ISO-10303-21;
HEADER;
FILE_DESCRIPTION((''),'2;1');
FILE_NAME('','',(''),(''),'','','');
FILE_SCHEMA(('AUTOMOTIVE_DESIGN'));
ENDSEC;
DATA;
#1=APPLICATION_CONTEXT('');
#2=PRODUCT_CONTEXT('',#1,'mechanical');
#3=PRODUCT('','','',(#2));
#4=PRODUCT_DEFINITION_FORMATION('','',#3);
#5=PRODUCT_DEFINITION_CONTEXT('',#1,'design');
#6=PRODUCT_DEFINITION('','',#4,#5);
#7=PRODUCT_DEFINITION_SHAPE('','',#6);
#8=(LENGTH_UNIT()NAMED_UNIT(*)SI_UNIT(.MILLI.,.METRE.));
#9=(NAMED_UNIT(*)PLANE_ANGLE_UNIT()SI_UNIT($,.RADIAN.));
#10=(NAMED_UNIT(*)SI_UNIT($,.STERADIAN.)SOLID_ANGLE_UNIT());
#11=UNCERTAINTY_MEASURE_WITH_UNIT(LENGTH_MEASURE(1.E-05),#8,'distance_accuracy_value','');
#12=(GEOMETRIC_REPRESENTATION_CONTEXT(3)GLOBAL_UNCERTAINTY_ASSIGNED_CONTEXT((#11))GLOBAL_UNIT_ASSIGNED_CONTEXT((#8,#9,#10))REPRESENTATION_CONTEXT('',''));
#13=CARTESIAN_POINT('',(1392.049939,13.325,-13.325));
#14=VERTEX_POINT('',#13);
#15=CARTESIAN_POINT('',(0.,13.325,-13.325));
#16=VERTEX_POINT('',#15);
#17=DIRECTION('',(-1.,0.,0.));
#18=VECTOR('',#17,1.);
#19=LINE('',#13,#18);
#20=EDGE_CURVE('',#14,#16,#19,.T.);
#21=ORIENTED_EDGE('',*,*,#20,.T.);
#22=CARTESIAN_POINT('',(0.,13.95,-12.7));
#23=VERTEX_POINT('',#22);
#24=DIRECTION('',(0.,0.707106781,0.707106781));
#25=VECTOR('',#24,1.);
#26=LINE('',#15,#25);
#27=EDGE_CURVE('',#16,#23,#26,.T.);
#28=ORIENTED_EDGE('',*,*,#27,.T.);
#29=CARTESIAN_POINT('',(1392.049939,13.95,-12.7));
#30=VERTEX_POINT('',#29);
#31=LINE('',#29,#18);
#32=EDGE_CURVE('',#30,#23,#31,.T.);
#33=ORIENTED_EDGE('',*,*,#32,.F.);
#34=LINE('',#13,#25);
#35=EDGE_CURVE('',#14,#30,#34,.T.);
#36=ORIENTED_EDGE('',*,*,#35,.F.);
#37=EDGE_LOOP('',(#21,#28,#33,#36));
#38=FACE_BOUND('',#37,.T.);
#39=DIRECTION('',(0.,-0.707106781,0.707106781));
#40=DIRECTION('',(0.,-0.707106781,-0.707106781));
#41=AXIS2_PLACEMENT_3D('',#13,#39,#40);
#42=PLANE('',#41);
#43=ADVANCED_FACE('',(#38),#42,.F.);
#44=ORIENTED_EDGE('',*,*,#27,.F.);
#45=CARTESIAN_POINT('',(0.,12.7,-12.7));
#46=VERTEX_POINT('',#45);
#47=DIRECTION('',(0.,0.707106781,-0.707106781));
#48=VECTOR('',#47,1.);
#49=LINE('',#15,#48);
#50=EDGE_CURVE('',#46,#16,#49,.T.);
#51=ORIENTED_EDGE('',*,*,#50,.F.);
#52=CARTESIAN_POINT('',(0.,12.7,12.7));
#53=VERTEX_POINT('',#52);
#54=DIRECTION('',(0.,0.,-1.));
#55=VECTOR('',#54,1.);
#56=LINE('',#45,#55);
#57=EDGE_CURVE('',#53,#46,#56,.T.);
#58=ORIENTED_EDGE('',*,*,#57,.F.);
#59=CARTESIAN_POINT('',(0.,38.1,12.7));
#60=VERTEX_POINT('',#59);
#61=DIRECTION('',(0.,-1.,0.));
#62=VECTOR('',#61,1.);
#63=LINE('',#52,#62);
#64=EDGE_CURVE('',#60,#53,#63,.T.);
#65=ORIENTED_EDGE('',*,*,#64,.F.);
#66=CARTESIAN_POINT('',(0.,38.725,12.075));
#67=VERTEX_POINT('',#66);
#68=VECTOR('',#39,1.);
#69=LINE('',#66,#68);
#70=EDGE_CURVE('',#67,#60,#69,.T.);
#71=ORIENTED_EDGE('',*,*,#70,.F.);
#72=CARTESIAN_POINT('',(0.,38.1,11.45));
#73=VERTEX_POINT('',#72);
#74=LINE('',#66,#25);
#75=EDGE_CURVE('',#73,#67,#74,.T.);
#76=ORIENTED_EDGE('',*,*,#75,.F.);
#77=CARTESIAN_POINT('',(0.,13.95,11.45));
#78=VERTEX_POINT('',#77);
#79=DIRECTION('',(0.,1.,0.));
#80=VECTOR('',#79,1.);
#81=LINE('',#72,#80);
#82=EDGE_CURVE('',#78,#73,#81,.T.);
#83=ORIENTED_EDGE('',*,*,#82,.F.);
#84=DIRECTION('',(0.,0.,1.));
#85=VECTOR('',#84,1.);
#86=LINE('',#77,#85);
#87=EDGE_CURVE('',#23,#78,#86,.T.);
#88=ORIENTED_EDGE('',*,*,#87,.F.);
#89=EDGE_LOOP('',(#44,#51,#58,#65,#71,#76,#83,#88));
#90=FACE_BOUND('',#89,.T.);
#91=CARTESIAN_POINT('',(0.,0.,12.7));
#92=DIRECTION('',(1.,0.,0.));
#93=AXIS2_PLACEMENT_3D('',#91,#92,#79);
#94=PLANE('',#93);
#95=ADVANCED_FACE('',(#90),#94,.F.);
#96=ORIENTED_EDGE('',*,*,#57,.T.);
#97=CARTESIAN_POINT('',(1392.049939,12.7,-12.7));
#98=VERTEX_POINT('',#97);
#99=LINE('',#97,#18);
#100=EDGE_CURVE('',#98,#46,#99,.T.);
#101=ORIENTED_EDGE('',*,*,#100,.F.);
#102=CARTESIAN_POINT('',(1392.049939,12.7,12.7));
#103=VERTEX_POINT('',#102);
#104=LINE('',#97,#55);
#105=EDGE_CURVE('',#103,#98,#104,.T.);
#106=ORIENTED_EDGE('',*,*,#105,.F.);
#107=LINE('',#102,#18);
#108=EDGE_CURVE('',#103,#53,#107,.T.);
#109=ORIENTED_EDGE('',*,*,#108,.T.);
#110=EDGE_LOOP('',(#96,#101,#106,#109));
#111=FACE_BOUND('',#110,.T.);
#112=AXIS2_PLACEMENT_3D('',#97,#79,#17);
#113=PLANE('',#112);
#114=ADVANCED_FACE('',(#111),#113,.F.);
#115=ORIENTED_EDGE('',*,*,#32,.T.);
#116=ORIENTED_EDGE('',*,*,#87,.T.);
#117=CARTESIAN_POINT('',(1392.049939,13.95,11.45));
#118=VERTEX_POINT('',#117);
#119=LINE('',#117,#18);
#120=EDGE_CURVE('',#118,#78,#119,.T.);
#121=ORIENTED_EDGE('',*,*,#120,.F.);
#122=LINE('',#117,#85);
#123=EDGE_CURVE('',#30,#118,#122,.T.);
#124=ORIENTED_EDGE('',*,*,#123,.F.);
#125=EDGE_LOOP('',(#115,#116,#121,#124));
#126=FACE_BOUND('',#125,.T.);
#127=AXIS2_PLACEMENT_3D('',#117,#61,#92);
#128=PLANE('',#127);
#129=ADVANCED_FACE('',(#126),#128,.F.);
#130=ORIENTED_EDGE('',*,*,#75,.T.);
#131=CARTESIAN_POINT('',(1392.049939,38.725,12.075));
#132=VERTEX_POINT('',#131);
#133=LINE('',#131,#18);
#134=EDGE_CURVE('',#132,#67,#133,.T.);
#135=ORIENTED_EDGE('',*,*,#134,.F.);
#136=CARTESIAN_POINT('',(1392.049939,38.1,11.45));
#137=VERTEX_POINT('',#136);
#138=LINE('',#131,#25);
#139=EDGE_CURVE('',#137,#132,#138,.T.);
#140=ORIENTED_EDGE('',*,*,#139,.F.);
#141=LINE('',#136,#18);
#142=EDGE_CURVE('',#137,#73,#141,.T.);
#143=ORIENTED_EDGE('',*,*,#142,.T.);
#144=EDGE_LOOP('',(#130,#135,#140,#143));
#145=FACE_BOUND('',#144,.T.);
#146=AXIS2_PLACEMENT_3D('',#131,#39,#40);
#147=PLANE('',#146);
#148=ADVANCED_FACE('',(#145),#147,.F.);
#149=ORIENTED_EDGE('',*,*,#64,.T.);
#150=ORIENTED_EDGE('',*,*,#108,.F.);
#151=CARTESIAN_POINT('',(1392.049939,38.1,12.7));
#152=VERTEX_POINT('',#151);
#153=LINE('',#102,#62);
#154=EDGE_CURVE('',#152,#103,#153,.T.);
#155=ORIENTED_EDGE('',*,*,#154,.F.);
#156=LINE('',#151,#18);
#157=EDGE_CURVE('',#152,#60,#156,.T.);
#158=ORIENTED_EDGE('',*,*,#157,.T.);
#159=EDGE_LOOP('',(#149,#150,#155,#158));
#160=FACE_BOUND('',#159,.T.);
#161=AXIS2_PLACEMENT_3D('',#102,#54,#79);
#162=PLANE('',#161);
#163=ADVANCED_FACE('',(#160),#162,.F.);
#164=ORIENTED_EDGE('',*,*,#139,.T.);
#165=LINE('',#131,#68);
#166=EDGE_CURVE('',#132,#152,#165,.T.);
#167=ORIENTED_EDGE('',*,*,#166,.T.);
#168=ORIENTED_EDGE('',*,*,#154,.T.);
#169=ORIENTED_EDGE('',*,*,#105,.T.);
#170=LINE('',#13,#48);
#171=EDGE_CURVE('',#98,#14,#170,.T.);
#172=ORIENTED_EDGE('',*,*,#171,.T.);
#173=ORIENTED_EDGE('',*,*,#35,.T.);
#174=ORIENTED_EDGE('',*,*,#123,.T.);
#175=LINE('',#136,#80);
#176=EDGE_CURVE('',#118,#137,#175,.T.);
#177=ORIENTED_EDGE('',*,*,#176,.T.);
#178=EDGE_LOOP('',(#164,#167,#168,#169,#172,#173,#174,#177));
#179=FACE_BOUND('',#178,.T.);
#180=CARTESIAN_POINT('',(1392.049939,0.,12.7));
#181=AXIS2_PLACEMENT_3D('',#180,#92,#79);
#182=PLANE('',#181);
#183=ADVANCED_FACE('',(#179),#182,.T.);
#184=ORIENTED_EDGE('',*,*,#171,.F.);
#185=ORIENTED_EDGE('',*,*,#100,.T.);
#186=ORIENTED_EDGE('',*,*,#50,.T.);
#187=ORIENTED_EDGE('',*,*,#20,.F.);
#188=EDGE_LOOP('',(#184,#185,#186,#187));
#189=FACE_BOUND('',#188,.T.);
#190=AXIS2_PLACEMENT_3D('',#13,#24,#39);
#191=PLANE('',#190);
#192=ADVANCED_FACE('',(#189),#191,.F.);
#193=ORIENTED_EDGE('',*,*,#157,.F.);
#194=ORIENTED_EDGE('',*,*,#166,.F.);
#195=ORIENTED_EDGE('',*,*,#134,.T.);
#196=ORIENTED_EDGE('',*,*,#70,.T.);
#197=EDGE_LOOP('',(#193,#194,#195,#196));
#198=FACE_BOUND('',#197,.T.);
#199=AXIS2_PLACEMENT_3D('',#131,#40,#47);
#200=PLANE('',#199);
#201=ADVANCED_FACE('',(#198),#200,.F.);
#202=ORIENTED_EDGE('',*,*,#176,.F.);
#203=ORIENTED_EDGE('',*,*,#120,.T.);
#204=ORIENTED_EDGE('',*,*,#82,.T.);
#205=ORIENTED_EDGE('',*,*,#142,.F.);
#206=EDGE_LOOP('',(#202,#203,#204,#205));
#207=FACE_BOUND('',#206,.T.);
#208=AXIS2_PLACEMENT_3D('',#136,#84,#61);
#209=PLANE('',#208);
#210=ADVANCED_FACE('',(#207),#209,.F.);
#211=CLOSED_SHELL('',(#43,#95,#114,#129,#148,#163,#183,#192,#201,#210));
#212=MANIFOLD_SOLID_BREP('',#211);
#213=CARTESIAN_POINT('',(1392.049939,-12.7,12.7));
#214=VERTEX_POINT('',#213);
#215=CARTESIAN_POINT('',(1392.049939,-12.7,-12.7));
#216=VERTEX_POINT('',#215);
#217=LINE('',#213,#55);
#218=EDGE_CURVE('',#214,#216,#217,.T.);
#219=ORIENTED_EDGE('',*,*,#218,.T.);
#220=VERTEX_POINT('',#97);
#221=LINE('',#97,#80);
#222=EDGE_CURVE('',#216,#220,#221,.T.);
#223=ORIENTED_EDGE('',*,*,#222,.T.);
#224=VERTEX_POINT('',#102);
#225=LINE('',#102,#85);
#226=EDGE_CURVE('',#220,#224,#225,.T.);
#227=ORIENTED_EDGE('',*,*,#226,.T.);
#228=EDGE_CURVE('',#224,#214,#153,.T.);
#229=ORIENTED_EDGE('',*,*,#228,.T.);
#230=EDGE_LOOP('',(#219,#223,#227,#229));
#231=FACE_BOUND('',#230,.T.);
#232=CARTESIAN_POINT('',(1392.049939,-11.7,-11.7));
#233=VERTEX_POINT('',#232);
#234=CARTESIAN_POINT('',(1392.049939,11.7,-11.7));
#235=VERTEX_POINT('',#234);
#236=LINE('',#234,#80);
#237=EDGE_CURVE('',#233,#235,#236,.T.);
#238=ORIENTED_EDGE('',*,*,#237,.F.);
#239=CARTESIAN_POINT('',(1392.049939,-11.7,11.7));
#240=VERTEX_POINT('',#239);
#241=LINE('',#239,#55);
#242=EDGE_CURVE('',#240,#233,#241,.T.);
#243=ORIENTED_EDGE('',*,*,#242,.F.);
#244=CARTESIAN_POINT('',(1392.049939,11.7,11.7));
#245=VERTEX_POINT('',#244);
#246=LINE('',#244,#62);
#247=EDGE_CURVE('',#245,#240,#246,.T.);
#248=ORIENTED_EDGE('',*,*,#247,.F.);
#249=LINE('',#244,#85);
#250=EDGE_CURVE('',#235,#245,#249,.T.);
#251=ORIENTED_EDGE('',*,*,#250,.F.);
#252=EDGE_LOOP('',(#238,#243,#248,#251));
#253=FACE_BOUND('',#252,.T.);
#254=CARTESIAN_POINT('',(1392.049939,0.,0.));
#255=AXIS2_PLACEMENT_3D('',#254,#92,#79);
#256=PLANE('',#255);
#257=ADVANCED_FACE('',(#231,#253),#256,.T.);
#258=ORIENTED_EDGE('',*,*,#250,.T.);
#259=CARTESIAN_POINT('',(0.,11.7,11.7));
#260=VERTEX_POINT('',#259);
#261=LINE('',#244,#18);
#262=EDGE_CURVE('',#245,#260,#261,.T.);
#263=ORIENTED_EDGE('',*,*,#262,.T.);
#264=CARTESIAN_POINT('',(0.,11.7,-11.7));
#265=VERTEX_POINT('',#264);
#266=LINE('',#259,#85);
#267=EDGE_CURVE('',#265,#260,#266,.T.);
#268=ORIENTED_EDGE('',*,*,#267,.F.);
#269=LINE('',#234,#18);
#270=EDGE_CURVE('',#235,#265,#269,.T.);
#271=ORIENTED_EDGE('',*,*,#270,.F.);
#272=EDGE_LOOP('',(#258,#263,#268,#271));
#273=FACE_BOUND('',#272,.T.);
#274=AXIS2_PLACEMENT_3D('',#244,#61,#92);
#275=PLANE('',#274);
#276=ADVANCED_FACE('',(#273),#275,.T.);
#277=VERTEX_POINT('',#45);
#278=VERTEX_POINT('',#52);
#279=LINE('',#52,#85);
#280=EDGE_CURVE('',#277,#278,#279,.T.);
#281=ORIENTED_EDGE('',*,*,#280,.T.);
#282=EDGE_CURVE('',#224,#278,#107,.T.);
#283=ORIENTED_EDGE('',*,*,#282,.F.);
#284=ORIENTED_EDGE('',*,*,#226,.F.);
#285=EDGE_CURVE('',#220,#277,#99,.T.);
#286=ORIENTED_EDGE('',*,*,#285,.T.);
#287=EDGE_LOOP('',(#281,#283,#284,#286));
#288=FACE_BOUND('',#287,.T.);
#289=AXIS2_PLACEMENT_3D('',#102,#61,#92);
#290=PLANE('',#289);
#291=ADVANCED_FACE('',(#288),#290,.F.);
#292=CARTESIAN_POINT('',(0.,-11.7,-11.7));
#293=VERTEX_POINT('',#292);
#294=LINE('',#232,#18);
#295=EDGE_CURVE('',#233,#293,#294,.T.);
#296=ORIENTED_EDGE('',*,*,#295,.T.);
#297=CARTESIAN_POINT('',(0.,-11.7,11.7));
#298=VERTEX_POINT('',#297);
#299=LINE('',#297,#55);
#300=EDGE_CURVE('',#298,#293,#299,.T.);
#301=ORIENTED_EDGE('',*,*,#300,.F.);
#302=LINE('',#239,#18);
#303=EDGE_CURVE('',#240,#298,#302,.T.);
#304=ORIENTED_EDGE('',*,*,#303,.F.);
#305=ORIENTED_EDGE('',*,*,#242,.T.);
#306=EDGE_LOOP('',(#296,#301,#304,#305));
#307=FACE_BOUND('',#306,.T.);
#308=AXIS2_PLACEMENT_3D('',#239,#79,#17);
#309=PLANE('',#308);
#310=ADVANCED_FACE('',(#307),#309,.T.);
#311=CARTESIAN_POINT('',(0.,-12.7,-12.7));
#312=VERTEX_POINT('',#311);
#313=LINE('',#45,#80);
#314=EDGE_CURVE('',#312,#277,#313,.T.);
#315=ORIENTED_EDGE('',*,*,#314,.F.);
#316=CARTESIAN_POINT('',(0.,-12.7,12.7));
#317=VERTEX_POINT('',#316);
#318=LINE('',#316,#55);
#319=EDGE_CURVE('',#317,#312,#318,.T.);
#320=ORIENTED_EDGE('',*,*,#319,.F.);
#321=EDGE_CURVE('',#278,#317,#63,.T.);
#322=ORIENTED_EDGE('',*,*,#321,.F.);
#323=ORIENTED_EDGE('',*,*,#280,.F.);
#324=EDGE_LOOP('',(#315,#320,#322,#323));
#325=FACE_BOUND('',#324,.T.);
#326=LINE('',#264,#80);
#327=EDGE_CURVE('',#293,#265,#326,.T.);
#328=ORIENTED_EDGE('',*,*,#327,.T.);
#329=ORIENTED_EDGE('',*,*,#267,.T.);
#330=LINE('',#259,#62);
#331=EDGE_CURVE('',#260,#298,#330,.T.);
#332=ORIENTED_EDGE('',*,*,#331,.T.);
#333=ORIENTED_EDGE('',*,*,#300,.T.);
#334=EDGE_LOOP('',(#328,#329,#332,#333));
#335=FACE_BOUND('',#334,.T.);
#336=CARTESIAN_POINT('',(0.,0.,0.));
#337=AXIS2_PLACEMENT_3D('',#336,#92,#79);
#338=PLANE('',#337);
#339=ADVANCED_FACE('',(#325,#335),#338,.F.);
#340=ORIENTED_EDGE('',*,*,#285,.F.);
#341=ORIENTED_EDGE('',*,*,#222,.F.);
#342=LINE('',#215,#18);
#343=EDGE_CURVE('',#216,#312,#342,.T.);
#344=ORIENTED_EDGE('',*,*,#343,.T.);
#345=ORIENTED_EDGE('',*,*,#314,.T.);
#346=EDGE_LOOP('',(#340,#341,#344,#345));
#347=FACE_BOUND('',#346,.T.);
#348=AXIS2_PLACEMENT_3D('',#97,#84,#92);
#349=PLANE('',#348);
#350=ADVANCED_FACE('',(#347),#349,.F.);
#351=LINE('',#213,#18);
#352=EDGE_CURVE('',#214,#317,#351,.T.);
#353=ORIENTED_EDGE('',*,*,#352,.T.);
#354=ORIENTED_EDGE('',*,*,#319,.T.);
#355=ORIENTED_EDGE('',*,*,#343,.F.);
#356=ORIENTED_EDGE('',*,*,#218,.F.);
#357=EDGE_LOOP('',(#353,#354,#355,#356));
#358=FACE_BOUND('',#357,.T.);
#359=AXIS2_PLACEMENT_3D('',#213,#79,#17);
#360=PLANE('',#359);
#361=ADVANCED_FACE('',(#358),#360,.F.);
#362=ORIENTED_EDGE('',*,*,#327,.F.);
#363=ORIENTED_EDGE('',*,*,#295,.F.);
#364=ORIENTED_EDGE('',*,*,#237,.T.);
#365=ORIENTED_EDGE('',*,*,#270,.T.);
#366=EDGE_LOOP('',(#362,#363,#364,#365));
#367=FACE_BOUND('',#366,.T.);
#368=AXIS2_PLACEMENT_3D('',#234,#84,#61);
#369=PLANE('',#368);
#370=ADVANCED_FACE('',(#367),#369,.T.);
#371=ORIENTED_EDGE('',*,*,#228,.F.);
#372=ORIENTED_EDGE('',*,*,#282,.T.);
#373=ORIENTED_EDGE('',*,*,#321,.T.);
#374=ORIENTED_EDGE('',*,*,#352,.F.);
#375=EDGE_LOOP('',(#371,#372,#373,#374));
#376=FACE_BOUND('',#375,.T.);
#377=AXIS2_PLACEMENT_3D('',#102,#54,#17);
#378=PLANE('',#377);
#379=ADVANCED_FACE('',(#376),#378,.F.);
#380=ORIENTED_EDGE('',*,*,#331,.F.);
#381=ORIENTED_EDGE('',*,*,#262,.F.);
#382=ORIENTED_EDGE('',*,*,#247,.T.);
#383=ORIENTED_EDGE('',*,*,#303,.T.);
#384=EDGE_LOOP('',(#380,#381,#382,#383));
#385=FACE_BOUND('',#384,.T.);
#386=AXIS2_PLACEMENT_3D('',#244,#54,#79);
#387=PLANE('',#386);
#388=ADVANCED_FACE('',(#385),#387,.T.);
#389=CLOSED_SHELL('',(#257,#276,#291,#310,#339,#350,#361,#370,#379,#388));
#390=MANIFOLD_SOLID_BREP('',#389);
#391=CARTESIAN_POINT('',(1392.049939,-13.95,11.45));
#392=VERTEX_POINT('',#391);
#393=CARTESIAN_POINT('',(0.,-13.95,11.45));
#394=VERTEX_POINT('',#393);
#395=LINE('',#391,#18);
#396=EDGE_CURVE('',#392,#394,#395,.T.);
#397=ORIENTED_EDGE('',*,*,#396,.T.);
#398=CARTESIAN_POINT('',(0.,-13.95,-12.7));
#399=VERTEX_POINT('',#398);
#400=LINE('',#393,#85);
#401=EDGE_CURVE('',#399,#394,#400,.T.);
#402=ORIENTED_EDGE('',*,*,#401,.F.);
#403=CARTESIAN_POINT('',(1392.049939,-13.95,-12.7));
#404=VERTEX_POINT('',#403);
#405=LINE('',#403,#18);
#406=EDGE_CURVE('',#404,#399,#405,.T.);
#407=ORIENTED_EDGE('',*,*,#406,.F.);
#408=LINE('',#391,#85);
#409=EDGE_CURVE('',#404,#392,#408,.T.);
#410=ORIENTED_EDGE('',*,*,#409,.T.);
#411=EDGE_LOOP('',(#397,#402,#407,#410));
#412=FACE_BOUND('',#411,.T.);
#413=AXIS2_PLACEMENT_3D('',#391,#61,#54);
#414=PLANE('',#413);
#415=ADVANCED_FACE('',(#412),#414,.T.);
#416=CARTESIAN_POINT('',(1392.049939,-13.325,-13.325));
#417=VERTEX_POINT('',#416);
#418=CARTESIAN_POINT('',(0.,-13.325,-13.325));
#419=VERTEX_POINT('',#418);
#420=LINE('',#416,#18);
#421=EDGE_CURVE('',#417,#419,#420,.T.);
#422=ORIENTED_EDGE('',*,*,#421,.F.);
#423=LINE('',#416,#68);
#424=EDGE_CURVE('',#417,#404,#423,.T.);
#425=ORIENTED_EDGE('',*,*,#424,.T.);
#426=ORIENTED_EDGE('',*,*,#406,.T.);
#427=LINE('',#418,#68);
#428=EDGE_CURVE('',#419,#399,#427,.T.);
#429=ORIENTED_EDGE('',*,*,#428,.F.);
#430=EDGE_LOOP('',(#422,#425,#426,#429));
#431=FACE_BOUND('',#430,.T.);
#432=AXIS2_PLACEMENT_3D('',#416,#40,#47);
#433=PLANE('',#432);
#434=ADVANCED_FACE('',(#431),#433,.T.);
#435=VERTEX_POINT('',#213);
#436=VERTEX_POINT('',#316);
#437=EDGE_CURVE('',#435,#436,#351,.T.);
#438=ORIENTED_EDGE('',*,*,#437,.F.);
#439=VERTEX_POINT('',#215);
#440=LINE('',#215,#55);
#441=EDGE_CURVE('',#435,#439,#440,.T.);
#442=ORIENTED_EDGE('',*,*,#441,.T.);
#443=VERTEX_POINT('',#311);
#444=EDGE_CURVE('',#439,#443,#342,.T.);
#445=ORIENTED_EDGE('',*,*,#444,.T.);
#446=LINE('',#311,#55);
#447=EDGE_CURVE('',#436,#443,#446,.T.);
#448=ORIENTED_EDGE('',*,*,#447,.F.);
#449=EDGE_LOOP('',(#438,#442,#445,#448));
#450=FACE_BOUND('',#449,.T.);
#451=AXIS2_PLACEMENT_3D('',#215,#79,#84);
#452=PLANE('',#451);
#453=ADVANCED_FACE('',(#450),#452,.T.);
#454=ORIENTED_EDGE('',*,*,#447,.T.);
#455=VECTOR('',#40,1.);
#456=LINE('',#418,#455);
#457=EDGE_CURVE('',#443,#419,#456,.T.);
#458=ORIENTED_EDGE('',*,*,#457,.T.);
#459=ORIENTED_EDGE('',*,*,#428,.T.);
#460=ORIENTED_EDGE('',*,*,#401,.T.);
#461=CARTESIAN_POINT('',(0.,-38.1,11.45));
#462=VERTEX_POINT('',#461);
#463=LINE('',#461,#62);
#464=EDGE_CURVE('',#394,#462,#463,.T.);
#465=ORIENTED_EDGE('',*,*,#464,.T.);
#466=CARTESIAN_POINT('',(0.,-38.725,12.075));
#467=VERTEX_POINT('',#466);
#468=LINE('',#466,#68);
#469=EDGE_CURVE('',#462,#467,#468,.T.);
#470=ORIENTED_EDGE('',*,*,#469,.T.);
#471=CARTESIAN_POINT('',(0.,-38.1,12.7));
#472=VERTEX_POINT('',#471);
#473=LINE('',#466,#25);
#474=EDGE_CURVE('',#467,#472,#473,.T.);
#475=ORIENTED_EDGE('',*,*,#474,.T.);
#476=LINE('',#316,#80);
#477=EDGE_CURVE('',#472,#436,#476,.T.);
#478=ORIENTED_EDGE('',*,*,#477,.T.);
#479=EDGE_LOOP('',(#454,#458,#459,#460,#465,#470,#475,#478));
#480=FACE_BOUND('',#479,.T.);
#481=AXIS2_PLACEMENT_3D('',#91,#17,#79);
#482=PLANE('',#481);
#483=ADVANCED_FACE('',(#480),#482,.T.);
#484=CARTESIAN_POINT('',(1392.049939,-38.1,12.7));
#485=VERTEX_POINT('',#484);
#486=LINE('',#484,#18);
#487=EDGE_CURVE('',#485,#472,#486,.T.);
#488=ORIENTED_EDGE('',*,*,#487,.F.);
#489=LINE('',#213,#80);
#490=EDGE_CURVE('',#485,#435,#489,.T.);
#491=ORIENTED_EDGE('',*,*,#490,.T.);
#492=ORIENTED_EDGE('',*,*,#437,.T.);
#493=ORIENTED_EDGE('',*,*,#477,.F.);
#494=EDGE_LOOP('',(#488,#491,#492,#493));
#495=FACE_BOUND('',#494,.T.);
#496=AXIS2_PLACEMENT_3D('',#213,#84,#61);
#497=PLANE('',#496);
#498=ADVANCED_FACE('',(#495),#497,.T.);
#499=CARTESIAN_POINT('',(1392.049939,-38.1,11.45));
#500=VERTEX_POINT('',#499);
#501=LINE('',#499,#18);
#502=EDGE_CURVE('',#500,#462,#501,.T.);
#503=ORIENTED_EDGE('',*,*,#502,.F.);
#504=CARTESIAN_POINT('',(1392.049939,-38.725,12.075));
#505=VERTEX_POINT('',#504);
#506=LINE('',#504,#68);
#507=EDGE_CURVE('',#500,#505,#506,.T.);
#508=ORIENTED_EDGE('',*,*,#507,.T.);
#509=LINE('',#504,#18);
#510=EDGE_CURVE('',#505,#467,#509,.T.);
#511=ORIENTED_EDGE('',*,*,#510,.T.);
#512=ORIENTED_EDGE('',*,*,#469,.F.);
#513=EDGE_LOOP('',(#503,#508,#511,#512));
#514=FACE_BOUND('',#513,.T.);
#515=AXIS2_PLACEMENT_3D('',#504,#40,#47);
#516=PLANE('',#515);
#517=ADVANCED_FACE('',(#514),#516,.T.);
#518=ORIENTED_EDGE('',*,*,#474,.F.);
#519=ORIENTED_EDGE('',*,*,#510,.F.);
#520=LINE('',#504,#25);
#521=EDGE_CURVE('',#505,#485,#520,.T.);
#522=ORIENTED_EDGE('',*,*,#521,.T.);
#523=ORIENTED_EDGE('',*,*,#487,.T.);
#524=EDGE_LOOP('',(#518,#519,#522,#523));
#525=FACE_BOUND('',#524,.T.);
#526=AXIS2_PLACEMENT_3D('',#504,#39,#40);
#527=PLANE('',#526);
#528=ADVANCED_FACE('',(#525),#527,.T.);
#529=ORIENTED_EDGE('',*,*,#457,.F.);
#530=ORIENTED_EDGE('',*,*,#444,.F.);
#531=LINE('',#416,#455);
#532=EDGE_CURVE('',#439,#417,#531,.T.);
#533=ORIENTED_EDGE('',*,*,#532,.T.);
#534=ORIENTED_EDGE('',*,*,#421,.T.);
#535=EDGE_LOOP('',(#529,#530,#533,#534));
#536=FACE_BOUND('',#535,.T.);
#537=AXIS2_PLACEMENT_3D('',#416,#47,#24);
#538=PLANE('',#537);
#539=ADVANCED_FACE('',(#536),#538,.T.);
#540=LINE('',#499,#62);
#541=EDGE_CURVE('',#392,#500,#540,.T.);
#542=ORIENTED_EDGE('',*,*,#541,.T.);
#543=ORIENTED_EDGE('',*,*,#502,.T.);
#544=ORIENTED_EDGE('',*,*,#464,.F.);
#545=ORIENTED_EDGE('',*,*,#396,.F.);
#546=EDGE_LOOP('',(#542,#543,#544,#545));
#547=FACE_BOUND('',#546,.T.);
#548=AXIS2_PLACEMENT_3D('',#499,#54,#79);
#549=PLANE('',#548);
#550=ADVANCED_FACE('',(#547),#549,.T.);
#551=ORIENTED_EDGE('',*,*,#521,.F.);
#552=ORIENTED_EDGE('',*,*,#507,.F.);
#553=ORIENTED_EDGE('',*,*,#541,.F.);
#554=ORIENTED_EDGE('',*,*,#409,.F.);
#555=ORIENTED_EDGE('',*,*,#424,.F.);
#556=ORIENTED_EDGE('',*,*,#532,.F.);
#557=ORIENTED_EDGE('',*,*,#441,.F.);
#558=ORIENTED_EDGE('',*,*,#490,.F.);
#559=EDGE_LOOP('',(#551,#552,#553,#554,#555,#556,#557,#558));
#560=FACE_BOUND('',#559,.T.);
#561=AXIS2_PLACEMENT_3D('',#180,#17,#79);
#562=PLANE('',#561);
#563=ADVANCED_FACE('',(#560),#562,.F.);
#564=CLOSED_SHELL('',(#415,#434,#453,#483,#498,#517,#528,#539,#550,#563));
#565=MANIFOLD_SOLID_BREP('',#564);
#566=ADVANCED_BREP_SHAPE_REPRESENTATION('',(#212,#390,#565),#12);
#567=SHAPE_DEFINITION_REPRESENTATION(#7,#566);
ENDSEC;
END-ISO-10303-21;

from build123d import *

# Parameters (mm, degrees)
SKETCH1_W                                      = 25.4
SKETCH1_H                                      = 25.4
SKETCH1_W_2                                    = 23.4
SKETCH1_H_2                                    = 23.4
SQURE_TUBE_1X1SQUARE_TUBE_1_DEPTH              = 1392.049939
ANGLEIRON_ANGLE_IRON_ONE_BY_ONE_INCH_2ND_DEPTH = 1392.049939
ANGLEIRON_ANGLE_IRON_ONE_BY_ONE_INCH_2_DEPTH   = 1392.049939


with BuildPart() as part:
    # Sketch1 → Squre tube 1X1SQUARE TUBE(1) (new body)
    with BuildSketch(Plane(origin=(0, 0, 0), x_dir=(0, 0, -1), z_dir=(1, 0, 0))):
        Rectangle(SKETCH1_W, SKETCH1_H)
        Rectangle(SKETCH1_W_2, SKETCH1_H_2, mode=Mode.SUBTRACT)
    extrude(amount=SQURE_TUBE_1X1SQUARE_TUBE_1_DEPTH)


with BuildPart() as body_2:
    # Sketch13 → Angleiron ANGLE IRON ONE BY ONE INCH 2ND (new body)
    with BuildSketch(Plane(origin=(0, 12.7, 12.7), x_dir=(0, 0, -1), z_dir=(1, 0, 0))):
        Polygon((1.25, 25.4), (1.25, 1.25), (25.4, 1.25), (26.025, 0.625), (25.4, 0), (0, 0), (0, 25.4), (0.625, 26.025), align=None)
    extrude(amount=ANGLEIRON_ANGLE_IRON_ONE_BY_ONE_INCH_2ND_DEPTH)


with BuildPart() as body_3:
    # Sketch14 → Angleiron ANGLE IRON ONE BY ONE INCH 2 (new body)
    with BuildSketch(Plane(origin=(0, -12.7, 12.7), x_dir=(0, 0, -1), z_dir=(-1, 0, 0))):
        Polygon((1.25, 25.4), (1.25, 1.25), (25.4, 1.25), (26.025, 0.625), (25.4, 0), (0, 0), (0, 25.4), (0.625, 26.025), align=None)
    extrude(amount=-ANGLEIRON_ANGLE_IRON_ONE_BY_ONE_INCH_2_DEPTH)


solid = Compound([part.part, body_2.part, body_3.part])
